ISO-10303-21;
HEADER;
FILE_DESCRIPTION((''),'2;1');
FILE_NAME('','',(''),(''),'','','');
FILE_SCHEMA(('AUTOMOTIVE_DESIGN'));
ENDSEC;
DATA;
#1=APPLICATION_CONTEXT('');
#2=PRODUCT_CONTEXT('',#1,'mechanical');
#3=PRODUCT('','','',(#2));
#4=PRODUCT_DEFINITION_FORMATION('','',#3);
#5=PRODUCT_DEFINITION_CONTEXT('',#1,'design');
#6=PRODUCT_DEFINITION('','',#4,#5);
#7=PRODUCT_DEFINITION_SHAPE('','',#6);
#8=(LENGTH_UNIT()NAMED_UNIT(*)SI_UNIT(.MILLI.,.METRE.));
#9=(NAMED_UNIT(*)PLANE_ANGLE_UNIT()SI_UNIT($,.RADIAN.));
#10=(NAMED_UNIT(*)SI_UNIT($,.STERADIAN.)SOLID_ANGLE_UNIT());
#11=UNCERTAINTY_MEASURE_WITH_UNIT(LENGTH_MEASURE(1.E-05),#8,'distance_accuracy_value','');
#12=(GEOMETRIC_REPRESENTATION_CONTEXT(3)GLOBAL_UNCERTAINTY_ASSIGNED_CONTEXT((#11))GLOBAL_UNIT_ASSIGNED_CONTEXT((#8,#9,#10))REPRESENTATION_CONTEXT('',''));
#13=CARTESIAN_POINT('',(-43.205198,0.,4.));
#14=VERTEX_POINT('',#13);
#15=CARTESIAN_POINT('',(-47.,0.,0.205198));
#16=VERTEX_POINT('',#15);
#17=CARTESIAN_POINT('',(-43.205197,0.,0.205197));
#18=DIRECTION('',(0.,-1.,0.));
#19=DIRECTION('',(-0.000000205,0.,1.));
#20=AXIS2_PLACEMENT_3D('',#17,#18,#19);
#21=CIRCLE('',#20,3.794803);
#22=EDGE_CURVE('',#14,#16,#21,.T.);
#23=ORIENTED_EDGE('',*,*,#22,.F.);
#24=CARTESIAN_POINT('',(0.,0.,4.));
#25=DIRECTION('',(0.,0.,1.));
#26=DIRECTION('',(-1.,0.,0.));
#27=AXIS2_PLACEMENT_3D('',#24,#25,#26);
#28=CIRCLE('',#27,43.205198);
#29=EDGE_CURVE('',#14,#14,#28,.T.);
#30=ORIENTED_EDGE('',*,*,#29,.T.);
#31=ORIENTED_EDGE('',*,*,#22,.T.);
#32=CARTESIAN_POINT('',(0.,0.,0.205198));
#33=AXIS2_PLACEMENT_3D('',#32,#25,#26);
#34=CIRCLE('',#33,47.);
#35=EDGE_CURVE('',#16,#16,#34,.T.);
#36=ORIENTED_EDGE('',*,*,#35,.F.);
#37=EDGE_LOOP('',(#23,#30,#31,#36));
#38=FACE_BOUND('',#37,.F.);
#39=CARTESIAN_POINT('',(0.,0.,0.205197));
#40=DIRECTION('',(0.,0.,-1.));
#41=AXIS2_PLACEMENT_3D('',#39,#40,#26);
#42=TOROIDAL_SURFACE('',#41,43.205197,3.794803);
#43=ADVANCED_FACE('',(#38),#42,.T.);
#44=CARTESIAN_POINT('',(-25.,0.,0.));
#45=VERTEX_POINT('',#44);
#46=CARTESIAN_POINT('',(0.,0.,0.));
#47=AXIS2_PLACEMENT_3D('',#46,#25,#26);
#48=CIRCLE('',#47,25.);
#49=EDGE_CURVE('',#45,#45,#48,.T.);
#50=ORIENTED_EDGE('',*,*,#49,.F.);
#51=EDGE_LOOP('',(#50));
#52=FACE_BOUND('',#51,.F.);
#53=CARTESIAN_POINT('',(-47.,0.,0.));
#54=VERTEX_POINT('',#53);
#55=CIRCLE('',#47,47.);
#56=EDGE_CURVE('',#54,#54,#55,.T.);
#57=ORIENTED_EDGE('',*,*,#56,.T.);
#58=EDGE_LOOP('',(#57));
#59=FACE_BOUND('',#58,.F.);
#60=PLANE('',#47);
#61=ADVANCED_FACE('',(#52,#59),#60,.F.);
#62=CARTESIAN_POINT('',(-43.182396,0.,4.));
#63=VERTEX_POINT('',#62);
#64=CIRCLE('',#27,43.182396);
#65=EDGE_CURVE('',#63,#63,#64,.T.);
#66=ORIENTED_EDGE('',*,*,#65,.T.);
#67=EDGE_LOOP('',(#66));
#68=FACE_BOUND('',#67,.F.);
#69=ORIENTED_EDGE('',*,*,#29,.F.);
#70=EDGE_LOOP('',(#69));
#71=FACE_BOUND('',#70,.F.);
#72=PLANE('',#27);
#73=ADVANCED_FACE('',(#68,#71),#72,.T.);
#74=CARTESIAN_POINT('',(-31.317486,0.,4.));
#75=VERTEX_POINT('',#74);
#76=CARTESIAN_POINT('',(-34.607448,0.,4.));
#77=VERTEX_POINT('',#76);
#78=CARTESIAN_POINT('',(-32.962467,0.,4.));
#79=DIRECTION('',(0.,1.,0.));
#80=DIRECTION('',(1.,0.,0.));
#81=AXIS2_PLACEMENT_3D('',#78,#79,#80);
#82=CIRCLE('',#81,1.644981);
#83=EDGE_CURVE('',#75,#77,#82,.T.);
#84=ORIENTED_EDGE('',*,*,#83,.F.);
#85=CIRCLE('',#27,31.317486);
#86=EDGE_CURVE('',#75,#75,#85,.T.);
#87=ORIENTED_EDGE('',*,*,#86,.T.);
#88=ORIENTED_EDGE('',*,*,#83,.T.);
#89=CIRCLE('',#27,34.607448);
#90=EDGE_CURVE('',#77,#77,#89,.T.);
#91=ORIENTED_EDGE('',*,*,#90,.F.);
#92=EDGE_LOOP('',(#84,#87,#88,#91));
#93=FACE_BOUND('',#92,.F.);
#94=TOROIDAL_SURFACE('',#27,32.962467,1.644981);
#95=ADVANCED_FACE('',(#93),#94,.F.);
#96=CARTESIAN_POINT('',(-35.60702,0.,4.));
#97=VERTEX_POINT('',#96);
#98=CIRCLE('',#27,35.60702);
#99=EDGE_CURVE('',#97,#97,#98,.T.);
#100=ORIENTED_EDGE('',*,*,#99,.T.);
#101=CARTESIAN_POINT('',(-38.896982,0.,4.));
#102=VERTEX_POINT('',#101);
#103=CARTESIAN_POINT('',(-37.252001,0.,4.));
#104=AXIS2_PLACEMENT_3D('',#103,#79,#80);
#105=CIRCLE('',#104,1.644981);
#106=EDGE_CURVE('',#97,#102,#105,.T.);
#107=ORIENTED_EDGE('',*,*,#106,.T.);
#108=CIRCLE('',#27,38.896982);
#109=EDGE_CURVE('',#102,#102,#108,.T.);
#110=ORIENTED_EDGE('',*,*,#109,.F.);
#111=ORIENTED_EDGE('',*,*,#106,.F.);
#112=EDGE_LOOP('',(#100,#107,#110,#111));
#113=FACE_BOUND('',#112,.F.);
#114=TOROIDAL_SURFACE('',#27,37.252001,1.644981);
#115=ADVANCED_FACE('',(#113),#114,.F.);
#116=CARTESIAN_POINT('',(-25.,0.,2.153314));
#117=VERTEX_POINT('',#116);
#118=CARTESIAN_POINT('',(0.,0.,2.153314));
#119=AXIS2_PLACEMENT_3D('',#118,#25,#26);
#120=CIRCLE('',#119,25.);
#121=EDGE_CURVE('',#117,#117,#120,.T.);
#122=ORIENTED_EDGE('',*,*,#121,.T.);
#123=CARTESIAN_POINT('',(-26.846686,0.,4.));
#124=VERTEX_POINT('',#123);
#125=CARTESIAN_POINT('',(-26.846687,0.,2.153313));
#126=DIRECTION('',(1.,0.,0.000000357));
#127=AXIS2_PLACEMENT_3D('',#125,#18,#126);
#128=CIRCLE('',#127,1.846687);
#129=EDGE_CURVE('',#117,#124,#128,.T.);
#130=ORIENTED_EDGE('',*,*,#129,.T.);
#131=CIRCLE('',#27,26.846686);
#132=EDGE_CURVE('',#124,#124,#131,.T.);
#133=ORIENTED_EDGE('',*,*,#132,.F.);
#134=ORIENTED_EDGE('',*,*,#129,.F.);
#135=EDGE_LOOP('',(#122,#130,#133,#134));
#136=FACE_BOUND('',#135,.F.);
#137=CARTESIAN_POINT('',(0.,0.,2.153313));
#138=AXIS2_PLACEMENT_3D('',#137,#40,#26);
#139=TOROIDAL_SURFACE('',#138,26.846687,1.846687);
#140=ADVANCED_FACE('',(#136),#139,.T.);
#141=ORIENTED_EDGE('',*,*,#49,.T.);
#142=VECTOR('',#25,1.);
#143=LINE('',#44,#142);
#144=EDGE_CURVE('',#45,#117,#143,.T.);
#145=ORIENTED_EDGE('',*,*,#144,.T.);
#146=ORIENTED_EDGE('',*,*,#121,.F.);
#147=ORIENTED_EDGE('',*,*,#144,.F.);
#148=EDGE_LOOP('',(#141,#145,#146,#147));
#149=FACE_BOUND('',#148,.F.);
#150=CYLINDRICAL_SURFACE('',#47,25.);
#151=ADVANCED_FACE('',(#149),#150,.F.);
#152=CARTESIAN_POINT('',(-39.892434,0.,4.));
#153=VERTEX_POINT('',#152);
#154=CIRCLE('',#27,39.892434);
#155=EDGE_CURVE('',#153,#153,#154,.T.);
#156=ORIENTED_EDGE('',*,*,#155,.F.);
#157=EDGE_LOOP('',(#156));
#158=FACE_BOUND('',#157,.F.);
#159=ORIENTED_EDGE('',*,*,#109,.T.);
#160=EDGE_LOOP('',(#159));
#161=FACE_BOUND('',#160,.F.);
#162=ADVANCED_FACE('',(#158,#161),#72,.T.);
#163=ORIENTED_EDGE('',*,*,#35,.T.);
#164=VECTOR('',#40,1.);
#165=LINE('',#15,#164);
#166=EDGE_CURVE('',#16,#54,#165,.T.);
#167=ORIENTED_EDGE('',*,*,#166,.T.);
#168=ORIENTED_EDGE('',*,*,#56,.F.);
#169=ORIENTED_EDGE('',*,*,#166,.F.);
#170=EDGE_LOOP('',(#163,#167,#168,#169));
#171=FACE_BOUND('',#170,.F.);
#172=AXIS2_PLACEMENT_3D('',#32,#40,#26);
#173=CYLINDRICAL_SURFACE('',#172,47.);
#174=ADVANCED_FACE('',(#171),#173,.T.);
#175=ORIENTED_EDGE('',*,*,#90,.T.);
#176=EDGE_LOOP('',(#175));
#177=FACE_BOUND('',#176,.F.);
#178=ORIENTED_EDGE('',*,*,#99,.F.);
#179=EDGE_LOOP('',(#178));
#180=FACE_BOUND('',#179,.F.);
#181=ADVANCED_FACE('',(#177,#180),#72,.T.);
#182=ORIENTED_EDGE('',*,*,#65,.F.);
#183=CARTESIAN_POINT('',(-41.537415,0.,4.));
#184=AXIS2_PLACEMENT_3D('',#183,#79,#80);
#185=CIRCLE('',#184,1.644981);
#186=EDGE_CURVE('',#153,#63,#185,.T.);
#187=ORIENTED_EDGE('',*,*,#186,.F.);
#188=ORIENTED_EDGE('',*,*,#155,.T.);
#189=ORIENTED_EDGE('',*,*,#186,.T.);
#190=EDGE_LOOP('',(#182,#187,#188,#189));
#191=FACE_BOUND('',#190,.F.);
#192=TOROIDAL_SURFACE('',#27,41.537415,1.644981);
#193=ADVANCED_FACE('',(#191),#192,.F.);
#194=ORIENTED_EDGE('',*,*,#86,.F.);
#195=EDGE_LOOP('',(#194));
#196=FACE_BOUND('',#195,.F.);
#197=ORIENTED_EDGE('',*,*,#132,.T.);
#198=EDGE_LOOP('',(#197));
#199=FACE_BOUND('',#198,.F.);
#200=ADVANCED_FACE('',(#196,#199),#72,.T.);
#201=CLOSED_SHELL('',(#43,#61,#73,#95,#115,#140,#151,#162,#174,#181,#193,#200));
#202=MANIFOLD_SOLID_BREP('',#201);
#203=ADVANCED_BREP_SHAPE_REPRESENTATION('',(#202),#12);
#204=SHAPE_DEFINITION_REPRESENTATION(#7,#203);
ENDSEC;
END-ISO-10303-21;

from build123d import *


with BuildPart() as f1:
    # F0 (on Front) → F1 (revolve)
    with BuildSketch(Plane.XZ):
        with BuildLine():
            Line((-47, 0), (-25, 0))
            Line((-25, 0), (-25, 2.153314))
            ThreePointArc((-25, 2.153314), (-25.540882, 3.459118), (-26.846686, 4))
            Line((-26.846686, 4), (-31.317486, 4))
            ThreePointArc((-31.317486, 4), (-32.962467, 2.355019), (-34.607448, 4))
            Line((-34.607448, 4), (-35.60702, 4))
            ThreePointArc((-35.60702, 4), (-37.252001, 2.355019), (-38.896982, 4))
            Line((-38.896982, 4), (-39.892434, 4))
            ThreePointArc((-39.892434, 4), (-41.537415, 2.355019), (-43.182396, 4))
            Line((-43.182396, 4), (-43.205198, 4))
            ThreePointArc((-43.205198, 4), (-45.888528, 2.888528), (-47, 0.205198))
            Line((-47, 0.205198), (-47, 0))
        make_face()
    revolve(axis=Axis((0, 0, 2), (0, 0, 1)))


solid = f1.part
